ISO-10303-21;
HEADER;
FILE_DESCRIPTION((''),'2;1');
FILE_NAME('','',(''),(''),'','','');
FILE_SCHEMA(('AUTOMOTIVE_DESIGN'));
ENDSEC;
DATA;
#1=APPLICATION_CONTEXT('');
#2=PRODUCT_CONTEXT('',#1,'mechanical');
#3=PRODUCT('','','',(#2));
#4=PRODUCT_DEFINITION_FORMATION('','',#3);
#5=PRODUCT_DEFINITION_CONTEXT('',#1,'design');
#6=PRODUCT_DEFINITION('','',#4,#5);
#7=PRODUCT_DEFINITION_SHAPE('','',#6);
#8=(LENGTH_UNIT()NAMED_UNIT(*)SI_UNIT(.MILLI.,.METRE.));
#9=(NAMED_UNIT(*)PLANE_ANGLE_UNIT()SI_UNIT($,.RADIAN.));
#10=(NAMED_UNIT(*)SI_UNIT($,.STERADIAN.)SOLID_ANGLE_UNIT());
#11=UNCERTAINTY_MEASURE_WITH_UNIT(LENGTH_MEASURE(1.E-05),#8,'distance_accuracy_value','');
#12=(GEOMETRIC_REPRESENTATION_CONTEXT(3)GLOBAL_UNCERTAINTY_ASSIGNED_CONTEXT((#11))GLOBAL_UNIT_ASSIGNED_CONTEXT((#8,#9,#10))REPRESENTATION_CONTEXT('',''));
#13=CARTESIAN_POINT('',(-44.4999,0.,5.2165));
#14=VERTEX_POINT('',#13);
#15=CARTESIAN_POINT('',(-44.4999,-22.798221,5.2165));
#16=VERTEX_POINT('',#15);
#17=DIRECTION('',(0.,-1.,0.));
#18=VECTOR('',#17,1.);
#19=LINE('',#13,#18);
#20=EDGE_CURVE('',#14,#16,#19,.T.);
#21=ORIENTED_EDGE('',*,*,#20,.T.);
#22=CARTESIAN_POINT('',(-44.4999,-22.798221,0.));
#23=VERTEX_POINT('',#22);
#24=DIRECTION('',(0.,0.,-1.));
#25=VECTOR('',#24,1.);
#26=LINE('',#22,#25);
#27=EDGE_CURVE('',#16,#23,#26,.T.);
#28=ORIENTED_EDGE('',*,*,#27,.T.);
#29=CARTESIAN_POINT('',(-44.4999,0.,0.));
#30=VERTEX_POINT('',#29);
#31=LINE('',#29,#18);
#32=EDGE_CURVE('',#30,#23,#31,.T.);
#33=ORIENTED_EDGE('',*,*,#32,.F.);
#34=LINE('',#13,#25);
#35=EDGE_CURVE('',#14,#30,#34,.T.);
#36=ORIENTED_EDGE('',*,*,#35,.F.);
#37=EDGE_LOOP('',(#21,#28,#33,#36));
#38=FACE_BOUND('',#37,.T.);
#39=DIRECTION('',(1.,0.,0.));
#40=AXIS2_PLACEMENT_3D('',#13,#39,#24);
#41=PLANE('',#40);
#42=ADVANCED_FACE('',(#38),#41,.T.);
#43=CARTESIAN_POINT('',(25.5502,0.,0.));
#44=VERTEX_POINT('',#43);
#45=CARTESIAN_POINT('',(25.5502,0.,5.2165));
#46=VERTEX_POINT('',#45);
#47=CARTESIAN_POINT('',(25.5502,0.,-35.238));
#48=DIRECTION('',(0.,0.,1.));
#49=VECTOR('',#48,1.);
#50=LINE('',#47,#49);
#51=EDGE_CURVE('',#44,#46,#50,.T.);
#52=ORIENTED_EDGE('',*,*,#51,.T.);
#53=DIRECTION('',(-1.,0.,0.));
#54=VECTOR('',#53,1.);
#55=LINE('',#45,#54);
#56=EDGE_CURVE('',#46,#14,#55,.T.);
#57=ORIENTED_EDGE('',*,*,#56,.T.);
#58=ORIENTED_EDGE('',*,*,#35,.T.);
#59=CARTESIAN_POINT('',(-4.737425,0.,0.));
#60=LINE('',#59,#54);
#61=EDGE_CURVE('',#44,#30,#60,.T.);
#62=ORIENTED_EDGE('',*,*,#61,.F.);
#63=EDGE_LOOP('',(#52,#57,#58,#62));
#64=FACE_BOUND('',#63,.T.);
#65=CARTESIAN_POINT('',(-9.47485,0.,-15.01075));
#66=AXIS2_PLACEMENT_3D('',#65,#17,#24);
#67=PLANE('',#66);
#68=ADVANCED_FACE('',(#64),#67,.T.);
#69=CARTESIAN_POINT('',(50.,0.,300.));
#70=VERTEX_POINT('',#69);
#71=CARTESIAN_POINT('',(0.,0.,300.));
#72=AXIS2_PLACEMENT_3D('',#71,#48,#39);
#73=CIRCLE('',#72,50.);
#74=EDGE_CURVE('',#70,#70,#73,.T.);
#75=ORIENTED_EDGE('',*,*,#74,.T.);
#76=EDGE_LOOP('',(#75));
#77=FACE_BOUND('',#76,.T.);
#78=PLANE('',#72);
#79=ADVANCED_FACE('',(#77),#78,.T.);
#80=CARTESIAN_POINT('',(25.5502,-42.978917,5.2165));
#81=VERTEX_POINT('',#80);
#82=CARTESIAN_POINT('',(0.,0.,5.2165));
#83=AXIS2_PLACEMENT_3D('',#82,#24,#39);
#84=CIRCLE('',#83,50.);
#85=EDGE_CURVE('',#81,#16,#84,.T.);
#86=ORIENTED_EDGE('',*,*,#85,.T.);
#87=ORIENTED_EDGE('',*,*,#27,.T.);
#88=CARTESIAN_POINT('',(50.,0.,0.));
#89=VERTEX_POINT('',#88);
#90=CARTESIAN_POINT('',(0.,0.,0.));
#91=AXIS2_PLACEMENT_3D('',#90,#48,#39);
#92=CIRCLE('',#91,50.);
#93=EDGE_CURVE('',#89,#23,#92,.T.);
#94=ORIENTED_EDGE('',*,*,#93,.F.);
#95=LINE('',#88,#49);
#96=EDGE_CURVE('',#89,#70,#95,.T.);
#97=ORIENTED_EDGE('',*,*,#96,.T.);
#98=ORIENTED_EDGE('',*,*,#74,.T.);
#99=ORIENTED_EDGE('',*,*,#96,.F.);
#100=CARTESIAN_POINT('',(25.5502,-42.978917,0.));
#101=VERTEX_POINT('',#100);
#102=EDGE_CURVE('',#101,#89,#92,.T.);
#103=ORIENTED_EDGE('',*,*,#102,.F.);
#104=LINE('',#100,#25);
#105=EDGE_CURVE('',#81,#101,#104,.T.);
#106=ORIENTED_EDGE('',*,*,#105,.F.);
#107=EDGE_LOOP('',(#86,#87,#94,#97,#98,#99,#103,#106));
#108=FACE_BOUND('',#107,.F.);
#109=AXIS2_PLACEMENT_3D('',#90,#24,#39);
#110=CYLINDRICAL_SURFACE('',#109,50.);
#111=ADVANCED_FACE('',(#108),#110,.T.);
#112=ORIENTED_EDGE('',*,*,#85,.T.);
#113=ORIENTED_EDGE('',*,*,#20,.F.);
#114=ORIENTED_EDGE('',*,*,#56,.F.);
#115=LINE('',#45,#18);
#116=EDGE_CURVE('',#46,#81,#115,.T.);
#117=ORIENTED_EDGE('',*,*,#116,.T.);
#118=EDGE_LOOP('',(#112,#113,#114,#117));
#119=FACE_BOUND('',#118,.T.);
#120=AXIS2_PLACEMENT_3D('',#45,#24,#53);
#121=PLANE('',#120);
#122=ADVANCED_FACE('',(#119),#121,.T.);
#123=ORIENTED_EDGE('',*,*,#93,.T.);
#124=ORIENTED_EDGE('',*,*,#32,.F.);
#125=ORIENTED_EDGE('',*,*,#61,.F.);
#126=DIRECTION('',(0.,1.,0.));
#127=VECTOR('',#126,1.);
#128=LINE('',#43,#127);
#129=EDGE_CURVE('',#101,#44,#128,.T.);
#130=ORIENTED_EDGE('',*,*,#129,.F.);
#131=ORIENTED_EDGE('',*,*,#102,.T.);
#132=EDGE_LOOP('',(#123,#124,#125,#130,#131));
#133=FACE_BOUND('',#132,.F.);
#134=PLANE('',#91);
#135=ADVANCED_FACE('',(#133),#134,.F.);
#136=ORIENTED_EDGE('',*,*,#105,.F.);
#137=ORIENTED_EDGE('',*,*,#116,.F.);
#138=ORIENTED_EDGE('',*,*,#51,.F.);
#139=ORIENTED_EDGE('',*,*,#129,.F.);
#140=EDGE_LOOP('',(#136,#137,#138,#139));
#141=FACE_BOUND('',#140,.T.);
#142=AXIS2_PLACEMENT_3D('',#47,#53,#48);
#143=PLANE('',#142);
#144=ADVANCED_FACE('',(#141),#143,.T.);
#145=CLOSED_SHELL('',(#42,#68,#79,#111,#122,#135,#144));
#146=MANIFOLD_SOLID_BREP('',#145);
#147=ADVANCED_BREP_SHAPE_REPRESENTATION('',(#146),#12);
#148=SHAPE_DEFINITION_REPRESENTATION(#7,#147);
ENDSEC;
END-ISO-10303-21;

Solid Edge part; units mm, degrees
sketch "Sketch1" plane through (0, 0, 0) normal (0, 0, 1) x (1, 0, 0)
  circle A0 centre (0, 0) radius 50
extrude "Protrusion1" add sketch "Sketch1" along normal blind 300
sketch "Sketch2" plane through (0, 0, 0) normal (0, -1, 0) x (1, 0, 0)
  line L0 (25.5502, -35.238) -> (25.5502, 5.2165)
  line L1 (25.5502, 5.2165) -> (-44.4999, 5.2165)
  line L2 (-44.4999, 5.2165) -> (-44.4999, -35.238)
  line L3 (-44.4999, -35.238) -> (25.5502, -35.238)
extrude "Cutout1" cut sketch "Sketch2" along normal up to next
